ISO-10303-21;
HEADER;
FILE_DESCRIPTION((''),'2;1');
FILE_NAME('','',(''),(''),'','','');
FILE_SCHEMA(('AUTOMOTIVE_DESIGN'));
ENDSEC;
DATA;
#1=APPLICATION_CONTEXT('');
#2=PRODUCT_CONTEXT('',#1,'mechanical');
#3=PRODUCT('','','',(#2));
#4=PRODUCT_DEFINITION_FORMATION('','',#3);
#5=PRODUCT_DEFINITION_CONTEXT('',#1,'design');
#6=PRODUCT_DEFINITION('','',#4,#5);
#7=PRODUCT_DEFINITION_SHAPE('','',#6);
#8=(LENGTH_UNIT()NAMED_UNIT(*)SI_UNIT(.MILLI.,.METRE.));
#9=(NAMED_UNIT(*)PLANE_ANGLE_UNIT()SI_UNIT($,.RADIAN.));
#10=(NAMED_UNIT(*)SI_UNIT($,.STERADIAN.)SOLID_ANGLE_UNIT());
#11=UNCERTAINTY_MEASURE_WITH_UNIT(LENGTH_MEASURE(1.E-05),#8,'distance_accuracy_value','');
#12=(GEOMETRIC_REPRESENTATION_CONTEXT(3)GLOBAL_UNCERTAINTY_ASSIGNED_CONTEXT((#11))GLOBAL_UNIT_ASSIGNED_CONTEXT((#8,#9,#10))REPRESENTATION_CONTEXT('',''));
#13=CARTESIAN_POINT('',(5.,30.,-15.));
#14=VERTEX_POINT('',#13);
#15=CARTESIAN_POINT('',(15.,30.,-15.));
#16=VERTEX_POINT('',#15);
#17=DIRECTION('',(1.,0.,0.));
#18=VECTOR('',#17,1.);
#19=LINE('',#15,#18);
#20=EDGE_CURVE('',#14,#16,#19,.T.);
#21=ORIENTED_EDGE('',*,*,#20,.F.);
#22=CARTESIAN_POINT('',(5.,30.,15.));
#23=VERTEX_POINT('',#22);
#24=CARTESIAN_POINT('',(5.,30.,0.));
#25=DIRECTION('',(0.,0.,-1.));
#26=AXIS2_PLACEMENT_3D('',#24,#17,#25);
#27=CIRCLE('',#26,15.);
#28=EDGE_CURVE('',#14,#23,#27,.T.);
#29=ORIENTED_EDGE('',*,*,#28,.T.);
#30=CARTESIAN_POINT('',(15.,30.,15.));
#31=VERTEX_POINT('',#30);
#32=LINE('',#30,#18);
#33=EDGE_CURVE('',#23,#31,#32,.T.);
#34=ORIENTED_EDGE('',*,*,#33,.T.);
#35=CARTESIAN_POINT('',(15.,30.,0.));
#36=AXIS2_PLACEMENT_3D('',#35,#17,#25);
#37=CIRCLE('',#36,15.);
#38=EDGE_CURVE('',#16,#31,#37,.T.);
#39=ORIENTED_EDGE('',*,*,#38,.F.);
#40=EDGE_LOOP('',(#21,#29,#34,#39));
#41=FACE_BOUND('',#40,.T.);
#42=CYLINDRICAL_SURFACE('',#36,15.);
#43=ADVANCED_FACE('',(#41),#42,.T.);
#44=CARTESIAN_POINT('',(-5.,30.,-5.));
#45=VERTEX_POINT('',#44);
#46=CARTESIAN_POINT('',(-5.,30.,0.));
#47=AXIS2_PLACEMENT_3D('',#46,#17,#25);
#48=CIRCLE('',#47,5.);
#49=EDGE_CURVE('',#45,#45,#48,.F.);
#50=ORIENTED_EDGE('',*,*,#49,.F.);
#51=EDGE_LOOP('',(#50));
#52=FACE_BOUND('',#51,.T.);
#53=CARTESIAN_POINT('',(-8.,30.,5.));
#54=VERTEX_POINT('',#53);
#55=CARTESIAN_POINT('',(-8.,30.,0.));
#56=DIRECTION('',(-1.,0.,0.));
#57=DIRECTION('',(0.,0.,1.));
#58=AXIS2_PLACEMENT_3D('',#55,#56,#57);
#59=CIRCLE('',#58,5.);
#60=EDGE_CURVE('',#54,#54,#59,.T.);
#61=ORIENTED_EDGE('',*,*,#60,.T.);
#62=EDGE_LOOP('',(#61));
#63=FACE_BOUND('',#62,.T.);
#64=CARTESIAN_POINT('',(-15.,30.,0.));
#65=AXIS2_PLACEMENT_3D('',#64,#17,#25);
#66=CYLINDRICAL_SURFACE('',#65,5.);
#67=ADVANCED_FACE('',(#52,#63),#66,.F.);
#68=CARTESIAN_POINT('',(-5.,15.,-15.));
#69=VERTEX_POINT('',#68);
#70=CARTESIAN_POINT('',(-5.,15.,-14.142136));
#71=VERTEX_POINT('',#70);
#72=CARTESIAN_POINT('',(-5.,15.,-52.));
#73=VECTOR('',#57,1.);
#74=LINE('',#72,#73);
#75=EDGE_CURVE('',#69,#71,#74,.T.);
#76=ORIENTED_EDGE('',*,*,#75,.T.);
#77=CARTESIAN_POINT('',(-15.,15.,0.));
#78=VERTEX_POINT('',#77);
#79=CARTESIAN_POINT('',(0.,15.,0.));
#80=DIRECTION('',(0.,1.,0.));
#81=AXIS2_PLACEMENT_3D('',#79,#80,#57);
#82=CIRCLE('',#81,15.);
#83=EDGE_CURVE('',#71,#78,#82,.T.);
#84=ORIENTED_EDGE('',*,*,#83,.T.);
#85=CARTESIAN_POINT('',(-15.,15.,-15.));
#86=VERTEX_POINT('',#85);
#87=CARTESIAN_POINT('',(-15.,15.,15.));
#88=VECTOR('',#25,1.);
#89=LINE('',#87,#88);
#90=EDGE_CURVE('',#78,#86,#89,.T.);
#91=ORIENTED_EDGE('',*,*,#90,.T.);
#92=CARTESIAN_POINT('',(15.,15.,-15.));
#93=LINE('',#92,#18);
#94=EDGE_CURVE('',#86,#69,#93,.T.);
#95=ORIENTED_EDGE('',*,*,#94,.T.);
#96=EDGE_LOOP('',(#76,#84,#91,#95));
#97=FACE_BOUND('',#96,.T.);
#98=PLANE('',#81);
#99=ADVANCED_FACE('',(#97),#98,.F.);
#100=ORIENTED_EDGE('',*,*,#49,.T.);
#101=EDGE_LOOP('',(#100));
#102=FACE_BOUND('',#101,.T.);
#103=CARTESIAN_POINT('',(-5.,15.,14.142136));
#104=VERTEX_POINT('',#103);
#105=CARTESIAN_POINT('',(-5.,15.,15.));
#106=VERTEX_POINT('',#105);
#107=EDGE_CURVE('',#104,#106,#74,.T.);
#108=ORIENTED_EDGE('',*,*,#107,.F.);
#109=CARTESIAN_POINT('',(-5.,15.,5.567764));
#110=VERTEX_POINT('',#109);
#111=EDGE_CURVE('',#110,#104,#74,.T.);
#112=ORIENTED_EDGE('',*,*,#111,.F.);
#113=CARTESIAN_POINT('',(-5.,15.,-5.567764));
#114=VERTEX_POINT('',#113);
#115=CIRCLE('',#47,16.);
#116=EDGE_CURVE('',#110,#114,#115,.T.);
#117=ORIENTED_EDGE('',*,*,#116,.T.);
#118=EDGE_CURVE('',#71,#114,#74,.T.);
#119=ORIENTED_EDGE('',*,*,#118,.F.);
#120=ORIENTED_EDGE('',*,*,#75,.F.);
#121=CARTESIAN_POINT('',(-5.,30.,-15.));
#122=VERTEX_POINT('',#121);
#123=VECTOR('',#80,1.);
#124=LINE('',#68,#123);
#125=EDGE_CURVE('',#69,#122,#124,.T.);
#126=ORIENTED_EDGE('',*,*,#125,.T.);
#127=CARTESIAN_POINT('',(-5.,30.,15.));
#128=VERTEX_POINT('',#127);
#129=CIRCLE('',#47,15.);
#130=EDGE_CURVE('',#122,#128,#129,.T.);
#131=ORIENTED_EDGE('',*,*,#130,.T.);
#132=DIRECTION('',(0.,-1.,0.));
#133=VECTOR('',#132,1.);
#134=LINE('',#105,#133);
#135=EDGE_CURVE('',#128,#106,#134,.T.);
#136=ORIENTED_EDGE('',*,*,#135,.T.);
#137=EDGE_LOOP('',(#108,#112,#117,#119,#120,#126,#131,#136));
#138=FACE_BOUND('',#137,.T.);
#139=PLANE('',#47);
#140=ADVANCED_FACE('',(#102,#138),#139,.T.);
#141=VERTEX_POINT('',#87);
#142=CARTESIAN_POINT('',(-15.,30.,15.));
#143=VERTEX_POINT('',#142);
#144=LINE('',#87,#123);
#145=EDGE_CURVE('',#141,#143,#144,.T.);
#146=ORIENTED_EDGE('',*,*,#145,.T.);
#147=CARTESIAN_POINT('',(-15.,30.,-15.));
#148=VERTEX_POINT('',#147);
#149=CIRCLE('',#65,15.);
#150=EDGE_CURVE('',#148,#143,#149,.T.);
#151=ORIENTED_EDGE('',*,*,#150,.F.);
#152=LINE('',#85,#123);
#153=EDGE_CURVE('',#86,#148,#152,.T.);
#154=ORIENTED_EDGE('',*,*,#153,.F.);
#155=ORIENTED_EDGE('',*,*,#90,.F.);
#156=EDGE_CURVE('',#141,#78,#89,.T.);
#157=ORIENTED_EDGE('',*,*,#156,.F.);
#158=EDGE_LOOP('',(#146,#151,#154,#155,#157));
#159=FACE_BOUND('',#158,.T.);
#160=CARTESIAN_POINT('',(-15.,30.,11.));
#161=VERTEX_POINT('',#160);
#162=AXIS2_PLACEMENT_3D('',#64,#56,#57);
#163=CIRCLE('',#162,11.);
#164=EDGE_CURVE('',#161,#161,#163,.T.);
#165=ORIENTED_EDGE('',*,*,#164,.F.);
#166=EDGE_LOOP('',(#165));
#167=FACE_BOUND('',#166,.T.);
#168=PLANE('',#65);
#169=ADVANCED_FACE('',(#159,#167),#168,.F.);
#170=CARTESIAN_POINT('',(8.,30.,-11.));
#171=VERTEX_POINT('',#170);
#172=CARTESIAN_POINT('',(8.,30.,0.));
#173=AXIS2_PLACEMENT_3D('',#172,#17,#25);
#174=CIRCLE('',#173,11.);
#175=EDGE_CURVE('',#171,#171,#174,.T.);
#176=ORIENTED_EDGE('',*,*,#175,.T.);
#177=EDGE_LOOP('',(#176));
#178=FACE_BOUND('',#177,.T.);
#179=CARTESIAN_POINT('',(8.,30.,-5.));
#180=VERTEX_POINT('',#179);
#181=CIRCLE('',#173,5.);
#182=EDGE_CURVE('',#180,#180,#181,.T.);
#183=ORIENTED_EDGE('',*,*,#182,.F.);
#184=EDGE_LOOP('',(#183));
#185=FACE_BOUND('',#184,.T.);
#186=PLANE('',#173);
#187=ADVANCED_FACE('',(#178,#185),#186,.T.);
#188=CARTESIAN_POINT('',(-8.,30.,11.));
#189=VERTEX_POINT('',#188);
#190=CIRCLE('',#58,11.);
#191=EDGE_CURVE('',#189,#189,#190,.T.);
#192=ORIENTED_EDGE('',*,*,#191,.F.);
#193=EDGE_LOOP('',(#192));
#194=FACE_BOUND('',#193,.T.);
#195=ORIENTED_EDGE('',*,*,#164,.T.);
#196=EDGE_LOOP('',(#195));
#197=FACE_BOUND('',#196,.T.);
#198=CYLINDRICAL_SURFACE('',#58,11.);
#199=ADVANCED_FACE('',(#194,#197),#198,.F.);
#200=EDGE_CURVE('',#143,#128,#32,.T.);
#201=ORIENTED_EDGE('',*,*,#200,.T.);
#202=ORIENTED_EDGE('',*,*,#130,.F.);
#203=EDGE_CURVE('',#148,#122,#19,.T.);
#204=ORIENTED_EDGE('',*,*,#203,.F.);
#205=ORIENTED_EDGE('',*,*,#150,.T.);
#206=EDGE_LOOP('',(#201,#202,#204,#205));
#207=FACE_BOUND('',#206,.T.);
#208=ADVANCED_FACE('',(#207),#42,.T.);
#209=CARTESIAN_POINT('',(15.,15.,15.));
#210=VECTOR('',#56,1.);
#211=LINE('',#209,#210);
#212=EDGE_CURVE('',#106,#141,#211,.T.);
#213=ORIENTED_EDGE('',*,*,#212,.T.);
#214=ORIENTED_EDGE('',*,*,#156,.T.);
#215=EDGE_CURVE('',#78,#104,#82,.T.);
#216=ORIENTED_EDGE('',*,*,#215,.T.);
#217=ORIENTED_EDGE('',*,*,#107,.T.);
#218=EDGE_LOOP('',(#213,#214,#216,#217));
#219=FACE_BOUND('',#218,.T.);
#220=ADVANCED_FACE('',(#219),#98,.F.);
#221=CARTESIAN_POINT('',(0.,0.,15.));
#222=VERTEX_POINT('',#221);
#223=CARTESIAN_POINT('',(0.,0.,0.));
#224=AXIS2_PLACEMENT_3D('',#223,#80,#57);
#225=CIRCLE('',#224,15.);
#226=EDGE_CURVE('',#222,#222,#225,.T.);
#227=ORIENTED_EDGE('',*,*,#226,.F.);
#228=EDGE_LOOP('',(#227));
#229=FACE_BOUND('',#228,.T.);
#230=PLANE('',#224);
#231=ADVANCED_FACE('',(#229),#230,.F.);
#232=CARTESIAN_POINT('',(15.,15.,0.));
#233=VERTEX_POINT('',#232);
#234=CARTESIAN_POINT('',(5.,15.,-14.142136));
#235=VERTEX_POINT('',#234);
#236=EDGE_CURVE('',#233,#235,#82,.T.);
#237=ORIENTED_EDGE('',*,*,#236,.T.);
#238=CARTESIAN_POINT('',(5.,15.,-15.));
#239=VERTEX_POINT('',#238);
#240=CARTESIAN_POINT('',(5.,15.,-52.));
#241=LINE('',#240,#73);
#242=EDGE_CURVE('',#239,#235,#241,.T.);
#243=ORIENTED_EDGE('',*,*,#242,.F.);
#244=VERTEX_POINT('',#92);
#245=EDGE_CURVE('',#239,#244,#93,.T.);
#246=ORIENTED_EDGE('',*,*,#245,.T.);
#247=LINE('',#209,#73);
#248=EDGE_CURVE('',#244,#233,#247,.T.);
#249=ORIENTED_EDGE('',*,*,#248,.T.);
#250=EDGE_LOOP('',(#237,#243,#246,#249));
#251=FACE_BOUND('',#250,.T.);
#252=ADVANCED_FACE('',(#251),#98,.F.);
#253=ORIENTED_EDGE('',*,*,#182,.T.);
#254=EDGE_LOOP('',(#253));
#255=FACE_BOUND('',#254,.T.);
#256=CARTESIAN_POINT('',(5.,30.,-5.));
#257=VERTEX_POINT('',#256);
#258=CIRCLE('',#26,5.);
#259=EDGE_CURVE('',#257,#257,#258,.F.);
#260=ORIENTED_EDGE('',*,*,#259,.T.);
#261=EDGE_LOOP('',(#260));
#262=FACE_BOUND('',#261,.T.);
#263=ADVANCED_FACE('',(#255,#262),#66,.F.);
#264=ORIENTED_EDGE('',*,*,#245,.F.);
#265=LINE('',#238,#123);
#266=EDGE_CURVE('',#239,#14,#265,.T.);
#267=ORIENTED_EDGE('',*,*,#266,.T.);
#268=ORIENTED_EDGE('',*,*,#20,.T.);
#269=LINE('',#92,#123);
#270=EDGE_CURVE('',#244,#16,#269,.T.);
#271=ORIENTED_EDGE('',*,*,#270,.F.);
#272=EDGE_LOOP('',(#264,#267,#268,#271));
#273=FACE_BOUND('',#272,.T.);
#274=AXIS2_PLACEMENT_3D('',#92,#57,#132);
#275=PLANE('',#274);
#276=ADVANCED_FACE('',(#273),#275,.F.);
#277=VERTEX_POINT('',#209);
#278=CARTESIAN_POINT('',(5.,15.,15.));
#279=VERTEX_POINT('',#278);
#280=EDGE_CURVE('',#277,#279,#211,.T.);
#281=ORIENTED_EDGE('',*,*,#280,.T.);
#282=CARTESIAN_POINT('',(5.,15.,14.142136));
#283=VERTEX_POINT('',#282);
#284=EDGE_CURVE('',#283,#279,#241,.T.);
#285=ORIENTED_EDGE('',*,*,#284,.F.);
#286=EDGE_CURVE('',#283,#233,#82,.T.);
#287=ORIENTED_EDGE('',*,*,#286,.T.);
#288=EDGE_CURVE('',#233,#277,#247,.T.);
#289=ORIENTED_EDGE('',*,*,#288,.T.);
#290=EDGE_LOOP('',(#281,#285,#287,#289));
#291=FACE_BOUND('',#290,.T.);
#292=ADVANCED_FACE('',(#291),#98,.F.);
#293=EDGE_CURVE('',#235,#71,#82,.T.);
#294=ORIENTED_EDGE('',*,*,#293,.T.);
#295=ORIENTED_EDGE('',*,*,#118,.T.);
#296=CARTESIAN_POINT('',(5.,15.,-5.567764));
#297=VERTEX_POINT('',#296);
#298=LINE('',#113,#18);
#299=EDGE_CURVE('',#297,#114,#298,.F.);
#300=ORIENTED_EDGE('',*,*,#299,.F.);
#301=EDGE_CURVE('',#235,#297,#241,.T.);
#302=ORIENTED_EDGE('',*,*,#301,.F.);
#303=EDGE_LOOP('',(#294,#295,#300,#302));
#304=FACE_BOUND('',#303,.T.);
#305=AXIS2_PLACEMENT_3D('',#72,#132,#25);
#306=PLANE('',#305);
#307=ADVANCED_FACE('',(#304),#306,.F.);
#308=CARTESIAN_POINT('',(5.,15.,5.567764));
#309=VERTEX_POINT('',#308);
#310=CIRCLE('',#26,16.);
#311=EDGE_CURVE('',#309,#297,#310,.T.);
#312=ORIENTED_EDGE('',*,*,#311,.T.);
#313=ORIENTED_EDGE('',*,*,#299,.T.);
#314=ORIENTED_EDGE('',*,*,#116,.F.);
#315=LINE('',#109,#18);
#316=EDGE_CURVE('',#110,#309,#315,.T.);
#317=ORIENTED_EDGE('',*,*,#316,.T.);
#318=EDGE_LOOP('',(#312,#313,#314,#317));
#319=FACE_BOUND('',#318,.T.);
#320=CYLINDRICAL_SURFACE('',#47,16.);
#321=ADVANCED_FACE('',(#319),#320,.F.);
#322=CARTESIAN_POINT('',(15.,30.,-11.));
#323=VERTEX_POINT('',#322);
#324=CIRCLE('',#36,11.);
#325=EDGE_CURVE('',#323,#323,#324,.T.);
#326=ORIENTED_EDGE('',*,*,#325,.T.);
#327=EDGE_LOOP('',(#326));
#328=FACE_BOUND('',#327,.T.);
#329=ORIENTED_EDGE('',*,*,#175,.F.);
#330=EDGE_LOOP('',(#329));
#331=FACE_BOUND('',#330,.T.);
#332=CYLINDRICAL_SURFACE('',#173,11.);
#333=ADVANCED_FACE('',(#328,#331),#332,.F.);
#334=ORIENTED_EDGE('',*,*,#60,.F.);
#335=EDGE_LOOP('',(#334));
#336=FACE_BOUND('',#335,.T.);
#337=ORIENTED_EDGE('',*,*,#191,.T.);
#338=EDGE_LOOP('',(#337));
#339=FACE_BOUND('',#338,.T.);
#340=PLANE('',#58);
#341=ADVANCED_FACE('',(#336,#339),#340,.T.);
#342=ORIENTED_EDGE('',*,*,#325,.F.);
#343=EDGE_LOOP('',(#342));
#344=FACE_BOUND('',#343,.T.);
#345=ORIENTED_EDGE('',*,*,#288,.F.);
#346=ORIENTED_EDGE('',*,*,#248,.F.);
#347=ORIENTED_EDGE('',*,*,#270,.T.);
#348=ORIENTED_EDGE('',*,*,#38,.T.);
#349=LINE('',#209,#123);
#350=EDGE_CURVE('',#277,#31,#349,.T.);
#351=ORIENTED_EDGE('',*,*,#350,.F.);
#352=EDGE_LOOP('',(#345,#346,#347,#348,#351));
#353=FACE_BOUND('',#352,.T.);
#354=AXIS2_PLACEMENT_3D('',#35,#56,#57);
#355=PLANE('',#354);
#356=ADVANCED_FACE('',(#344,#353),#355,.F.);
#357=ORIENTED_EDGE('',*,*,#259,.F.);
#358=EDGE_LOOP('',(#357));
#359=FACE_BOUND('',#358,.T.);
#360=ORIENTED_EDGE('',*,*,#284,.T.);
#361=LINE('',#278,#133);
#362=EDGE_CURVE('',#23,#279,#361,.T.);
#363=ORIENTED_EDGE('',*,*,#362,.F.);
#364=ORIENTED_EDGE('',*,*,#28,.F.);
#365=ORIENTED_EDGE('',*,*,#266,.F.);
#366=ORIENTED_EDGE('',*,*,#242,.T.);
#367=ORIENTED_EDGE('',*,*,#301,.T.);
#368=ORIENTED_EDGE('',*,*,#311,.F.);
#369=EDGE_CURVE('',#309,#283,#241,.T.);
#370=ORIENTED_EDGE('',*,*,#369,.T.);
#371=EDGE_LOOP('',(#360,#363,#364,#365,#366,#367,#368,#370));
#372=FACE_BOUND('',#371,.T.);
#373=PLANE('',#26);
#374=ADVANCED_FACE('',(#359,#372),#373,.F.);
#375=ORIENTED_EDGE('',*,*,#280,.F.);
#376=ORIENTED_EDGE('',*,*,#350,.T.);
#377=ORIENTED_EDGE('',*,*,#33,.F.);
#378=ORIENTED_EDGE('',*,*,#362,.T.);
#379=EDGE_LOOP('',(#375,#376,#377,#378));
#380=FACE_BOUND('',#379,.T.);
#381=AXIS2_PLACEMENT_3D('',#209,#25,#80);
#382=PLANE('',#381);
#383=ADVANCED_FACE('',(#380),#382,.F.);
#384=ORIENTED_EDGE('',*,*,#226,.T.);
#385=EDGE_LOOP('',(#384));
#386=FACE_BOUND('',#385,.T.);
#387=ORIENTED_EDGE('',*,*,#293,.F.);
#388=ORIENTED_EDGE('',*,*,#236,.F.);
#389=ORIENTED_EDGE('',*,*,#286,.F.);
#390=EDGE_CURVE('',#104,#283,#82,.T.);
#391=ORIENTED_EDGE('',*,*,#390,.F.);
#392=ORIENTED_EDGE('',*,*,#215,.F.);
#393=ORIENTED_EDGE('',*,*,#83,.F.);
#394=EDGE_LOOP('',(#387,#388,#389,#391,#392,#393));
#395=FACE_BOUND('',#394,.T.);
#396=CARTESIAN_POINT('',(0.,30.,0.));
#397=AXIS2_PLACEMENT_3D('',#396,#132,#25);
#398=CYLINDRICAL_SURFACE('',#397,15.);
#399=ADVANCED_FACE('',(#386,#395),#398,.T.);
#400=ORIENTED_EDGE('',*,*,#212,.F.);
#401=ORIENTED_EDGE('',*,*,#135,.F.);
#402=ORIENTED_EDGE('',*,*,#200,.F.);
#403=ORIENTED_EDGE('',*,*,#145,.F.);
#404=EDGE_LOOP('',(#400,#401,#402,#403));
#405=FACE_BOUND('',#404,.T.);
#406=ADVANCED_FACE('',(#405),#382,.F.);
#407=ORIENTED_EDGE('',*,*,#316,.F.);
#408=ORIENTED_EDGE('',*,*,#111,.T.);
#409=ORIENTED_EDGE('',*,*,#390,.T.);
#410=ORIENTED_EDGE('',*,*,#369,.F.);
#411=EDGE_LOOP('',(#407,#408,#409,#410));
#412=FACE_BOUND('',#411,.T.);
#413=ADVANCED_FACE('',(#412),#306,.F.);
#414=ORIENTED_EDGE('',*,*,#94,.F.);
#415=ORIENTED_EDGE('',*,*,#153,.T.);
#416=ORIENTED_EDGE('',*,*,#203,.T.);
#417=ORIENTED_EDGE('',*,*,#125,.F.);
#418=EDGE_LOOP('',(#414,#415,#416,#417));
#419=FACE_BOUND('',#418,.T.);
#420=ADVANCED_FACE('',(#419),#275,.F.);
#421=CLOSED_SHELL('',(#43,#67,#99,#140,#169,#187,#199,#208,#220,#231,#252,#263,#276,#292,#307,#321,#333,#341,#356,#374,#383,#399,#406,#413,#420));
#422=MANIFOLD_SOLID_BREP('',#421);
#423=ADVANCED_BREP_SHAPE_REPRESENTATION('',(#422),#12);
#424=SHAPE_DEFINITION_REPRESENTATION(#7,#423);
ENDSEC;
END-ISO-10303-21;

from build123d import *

# Parameters (mm, degrees)
SKETCH1_R           = 15
BOSS_EXTRUDE1_DEPTH = 30
SKETCH8_W           = 30
SKETCH8_H           = 15
REVOLVE1_ANGLE      = 180
SKETCH9_W           = 30
SKETCH9_H           = 30
BOSS_EXTRUDE3_DEPTH = 15
SKETCH10_R          = 5
CUT_EXTRUDE1_DEPTH  = 30
SKETCH13_R          = 16
CUT_EXTRUDE2_DEPTH  = 10
SKETCH14_W          = 10
SKETCH14_H          = 15
CUT_EXTRUDE3_DEPTH  = 67
CUT_EXTRUDE4_START  = -7
SKETCH15_R          = 11
SKETCH15_R_2        = 5
CUT_EXTRUDE4_DEPTH  = 7
SKETCH16_R          = 11
SKETCH16_R_2        = 5
CUT_EXTRUDE5_DEPTH  = 7


with BuildPart() as part:
    # Sketch1 → Boss-Extrude1 (new body)
    with BuildSketch(Plane(origin=(0, 0, 0), x_dir=(1, 0, 0), z_dir=(0, 1, 0))):
        with Locations(Location((0, 0, 0), (0, 0, 270))):
            Circle(SKETCH1_R)
    extrude(amount=BOSS_EXTRUDE1_DEPTH)

    # Sketch8 → Revolve1 (revolve)
    with BuildSketch(Plane(origin=(0, 30, 0), x_dir=(1, 0, 0), z_dir=(0, 1, 0))):
        with Locations((0, -7.5)):
            Rectangle(SKETCH8_W, SKETCH8_H)
    revolve(axis=Axis((15, 30, 0), (-1, 0, 0)), revolution_arc=REVOLVE1_ANGLE)

    # Sketch9 → Boss-Extrude3 (add)
    with BuildSketch(Plane.XZ.offset(-30)):
        Rectangle(SKETCH9_W, SKETCH9_H)
    extrude(amount=BOSS_EXTRUDE3_DEPTH)

    # Sketch10 → Cut-Extrude1 (cut)
    with BuildSketch(Plane(origin=(15, 0, 0), x_dir=(0, 0, -1), z_dir=(1, 0, 0))):
        with Locations((0, 30)):
            Circle(SKETCH10_R)
    extrude(amount=-CUT_EXTRUDE1_DEPTH, mode=Mode.SUBTRACT)

    # Sketch13 → Cut-Extrude2 (cut)
    with BuildSketch(Plane(origin=(5, 0, 0), x_dir=(0, 0, -1), z_dir=(1, 0, 0))):
        with Locations((0, 30)):
            Circle(SKETCH13_R)
    extrude(amount=-CUT_EXTRUDE2_DEPTH, mode=Mode.SUBTRACT)

    # Sketch14 → Cut-Extrude3 (cut)
    with BuildSketch(Plane.XY.offset(15)):
        with Locations((0, 22.5)):
            Rectangle(SKETCH14_W, SKETCH14_H)
    extrude(amount=-CUT_EXTRUDE3_DEPTH, mode=Mode.SUBTRACT)

    # Sketch15 → Cut-Extrude4 (cut)
    with BuildSketch(Plane.ZY.offset(15).offset(CUT_EXTRUDE4_START)):
        with Locations((0, 30)):
            Circle(SKETCH15_R)
        with Locations(Location((0, 30, 0), (0, 0, 180))):
            Circle(SKETCH15_R_2, mode=Mode.SUBTRACT)
    extrude(amount=CUT_EXTRUDE4_DEPTH, mode=Mode.SUBTRACT)

    # Sketch16 → Cut-Extrude5 (cut)
    with BuildSketch(Plane(origin=(15, 0, 0), x_dir=(0, 0, -1), z_dir=(1, 0, 0))):
        with Locations(Location((0, 30, 0), (0, 0, 180))):
            Circle(SKETCH16_R)
        with Locations((0, 30)):
            Circle(SKETCH16_R_2, mode=Mode.SUBTRACT)
    extrude(amount=-CUT_EXTRUDE5_DEPTH, mode=Mode.SUBTRACT)


solid = part.part
